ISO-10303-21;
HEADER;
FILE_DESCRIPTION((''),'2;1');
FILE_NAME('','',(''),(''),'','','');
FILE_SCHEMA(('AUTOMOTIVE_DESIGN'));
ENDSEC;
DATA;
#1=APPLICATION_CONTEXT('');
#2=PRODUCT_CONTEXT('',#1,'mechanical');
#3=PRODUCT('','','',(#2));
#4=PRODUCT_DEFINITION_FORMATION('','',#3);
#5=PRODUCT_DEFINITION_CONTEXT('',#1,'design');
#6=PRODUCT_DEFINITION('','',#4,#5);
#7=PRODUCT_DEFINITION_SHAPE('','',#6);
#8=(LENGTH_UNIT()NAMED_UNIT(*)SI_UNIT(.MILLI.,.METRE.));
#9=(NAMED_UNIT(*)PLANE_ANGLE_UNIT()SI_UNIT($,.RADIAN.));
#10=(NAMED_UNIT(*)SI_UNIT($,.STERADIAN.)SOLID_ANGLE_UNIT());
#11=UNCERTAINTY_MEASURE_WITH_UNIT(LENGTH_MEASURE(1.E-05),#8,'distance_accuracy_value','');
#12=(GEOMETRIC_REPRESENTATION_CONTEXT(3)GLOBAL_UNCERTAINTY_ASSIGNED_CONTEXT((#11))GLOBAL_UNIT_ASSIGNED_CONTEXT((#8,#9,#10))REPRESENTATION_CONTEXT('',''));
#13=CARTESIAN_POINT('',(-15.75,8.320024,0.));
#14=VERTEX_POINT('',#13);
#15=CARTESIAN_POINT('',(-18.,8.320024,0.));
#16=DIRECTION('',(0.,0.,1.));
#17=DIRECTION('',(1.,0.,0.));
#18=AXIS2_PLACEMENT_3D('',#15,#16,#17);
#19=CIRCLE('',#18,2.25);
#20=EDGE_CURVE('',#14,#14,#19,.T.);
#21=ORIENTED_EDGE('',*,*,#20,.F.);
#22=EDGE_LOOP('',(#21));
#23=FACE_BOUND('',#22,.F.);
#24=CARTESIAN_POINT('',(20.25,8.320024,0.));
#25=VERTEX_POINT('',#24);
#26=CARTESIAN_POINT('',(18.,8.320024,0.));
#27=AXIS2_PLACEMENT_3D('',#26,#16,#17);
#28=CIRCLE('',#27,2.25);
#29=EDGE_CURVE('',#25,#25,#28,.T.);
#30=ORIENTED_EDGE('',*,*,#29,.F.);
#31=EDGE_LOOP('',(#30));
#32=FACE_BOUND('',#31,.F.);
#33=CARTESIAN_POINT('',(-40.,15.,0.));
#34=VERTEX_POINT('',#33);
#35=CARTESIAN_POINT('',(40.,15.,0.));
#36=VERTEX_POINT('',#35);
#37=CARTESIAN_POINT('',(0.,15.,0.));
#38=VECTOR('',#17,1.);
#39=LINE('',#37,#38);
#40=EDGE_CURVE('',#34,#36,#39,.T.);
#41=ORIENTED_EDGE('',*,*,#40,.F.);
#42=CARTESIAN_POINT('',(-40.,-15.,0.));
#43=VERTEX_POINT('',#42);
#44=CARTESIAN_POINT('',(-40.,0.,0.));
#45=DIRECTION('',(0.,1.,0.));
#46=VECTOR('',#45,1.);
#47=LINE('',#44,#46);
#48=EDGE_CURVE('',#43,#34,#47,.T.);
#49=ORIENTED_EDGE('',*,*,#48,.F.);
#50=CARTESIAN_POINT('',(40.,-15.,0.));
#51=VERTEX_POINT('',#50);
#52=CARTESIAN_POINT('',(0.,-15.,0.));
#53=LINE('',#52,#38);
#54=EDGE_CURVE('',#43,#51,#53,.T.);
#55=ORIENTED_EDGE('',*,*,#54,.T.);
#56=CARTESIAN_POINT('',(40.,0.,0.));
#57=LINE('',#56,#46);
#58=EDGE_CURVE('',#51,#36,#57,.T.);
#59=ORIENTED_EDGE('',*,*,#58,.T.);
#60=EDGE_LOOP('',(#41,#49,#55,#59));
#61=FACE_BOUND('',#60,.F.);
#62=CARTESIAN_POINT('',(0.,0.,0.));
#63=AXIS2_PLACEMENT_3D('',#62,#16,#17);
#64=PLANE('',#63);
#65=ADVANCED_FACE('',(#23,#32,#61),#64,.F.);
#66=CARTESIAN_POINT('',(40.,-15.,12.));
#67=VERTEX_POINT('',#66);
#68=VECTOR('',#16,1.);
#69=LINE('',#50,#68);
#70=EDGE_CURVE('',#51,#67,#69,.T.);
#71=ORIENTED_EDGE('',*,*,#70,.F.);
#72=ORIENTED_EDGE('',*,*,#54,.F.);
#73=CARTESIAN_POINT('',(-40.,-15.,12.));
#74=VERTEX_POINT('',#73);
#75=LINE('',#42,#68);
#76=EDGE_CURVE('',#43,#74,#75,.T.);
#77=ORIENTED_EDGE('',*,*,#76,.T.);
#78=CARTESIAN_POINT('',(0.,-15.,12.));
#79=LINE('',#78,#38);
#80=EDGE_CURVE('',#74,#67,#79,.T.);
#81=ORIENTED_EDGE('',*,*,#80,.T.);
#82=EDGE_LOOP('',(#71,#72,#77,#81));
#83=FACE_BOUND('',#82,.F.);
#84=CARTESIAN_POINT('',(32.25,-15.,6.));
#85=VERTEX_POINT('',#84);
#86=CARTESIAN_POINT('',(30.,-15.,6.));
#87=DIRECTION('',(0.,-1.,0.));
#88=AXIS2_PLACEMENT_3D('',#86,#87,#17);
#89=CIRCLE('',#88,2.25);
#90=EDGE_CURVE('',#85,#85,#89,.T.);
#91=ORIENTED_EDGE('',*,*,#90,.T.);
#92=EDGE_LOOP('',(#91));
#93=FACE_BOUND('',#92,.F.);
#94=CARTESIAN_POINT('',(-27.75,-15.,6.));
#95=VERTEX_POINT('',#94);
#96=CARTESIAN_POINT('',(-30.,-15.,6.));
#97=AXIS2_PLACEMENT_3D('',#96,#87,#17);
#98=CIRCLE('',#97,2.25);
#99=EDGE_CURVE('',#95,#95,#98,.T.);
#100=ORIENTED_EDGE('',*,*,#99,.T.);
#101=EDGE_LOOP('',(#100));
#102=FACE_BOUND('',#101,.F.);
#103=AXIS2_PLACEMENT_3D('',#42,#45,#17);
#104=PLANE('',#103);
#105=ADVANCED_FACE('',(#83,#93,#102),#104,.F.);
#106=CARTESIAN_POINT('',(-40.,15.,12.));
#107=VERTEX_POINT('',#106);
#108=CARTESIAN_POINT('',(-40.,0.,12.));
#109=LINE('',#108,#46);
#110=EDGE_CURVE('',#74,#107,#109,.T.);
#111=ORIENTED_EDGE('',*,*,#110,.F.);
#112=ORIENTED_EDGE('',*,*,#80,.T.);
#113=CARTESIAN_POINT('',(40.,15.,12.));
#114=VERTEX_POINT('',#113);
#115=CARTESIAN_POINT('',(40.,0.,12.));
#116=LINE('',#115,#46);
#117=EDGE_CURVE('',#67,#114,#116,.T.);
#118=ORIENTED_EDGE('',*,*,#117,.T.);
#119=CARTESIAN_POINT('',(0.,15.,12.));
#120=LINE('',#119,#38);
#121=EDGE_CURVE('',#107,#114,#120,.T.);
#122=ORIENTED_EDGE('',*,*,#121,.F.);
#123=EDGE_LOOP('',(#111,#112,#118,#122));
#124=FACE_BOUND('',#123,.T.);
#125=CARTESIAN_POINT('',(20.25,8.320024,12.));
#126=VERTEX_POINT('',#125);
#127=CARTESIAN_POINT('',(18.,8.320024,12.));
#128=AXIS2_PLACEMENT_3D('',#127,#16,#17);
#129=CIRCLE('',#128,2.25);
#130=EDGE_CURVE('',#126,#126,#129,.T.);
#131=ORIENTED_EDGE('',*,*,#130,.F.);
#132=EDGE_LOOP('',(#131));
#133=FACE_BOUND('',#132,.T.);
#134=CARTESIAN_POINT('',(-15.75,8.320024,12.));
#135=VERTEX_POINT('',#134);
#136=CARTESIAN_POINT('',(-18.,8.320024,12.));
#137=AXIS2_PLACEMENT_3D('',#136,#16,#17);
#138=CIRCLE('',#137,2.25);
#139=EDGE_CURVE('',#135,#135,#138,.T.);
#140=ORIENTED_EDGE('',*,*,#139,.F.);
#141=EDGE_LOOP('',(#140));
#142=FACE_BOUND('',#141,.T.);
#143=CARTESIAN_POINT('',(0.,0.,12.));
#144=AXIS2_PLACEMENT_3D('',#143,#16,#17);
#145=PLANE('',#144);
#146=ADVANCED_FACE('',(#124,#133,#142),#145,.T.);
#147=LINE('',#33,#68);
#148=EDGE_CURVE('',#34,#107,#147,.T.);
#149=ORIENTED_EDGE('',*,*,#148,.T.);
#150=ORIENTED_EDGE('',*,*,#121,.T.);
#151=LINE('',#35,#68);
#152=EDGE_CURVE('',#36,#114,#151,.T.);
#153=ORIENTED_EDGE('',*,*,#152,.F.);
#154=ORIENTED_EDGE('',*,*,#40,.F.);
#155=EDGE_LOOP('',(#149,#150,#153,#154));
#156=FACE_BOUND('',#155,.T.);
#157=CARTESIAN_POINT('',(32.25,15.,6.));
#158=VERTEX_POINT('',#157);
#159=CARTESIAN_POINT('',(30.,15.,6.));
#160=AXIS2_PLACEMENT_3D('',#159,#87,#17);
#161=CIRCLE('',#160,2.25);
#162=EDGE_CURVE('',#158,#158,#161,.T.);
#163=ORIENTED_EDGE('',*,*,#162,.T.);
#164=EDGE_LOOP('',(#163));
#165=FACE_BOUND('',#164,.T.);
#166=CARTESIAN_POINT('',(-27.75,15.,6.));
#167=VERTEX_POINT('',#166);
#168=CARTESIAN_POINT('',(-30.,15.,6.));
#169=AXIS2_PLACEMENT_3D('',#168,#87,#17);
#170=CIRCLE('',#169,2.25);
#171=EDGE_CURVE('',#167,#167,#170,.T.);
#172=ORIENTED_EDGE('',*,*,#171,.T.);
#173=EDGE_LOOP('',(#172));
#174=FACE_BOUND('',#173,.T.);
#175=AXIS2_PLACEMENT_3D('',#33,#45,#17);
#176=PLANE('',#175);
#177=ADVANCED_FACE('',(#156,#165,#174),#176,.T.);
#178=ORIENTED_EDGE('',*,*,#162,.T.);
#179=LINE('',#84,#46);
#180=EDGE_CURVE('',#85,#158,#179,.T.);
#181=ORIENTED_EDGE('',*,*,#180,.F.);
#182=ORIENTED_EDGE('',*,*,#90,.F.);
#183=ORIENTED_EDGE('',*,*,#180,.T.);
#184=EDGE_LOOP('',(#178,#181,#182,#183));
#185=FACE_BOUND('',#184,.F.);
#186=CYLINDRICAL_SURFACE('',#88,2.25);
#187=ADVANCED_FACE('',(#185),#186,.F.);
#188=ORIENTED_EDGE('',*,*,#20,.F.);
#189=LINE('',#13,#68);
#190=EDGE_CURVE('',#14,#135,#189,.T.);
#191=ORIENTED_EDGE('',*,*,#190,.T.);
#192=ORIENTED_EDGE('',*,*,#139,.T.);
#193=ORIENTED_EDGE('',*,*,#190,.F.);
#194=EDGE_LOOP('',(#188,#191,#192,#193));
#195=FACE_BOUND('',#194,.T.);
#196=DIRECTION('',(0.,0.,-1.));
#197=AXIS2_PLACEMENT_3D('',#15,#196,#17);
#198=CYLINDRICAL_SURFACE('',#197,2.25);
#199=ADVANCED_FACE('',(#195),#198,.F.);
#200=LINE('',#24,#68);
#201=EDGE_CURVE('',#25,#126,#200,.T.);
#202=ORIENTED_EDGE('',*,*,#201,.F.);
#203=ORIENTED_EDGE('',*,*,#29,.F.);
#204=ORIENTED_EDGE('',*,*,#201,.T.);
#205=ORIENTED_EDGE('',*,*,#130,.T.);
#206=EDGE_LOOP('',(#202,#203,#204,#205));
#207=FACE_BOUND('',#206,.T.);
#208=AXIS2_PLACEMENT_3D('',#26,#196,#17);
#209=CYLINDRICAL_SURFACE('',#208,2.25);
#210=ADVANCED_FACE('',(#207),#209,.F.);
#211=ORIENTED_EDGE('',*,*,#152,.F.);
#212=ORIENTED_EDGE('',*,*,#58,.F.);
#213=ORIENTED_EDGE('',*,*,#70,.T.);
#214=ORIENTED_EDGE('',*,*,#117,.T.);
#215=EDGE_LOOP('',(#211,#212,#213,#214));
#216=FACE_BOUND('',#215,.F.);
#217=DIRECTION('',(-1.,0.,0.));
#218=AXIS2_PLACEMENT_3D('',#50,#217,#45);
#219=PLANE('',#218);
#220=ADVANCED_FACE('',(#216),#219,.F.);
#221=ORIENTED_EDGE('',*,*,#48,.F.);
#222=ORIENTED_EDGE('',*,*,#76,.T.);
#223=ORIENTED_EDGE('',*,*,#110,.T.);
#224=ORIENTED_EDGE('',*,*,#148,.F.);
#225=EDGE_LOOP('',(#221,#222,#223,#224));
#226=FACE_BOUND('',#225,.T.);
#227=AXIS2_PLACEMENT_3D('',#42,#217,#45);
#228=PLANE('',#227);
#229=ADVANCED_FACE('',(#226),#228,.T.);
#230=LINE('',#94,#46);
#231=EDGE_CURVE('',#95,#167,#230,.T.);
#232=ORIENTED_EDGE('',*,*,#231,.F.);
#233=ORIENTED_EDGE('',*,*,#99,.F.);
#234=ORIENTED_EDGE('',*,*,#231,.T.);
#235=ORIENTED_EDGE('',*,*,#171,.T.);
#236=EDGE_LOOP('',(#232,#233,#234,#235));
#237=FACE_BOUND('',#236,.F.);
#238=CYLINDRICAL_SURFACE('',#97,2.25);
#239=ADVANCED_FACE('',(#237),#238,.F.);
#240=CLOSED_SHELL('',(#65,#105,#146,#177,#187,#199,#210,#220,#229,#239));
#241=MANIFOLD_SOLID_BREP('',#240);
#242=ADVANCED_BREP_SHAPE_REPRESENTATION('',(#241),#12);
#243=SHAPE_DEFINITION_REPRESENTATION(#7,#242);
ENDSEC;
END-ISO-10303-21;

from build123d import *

# Parameters (mm, degrees)
F0_W     = 80
F0_H     = 30
F0_R     = 2.25
F1_DEPTH = 12
F2_R     = 2.25
F3_DEPTH = 30.001


with BuildPart() as f1:
    # F0 (on Top) → F1 (new body)
    with BuildSketch(Plane.XY):
        Rectangle(F0_W, F0_H)
        with Locations((-18, 8.320024)):
            Circle(F0_R, mode=Mode.SUBTRACT)
        with Locations((18, 8.320024)):
            Circle(F0_R, mode=Mode.SUBTRACT)
    extrude(amount=F1_DEPTH)

    # F2 (on face) → F3 (cut, through all)
    with BuildSketch(Plane.XZ.offset(15)):
        with Locations((-30, 6)):
            Circle(F2_R)
        with Locations((30, 6)):
            Circle(F2_R)
    extrude(amount=-F3_DEPTH, mode=Mode.SUBTRACT)


solid = f1.part
